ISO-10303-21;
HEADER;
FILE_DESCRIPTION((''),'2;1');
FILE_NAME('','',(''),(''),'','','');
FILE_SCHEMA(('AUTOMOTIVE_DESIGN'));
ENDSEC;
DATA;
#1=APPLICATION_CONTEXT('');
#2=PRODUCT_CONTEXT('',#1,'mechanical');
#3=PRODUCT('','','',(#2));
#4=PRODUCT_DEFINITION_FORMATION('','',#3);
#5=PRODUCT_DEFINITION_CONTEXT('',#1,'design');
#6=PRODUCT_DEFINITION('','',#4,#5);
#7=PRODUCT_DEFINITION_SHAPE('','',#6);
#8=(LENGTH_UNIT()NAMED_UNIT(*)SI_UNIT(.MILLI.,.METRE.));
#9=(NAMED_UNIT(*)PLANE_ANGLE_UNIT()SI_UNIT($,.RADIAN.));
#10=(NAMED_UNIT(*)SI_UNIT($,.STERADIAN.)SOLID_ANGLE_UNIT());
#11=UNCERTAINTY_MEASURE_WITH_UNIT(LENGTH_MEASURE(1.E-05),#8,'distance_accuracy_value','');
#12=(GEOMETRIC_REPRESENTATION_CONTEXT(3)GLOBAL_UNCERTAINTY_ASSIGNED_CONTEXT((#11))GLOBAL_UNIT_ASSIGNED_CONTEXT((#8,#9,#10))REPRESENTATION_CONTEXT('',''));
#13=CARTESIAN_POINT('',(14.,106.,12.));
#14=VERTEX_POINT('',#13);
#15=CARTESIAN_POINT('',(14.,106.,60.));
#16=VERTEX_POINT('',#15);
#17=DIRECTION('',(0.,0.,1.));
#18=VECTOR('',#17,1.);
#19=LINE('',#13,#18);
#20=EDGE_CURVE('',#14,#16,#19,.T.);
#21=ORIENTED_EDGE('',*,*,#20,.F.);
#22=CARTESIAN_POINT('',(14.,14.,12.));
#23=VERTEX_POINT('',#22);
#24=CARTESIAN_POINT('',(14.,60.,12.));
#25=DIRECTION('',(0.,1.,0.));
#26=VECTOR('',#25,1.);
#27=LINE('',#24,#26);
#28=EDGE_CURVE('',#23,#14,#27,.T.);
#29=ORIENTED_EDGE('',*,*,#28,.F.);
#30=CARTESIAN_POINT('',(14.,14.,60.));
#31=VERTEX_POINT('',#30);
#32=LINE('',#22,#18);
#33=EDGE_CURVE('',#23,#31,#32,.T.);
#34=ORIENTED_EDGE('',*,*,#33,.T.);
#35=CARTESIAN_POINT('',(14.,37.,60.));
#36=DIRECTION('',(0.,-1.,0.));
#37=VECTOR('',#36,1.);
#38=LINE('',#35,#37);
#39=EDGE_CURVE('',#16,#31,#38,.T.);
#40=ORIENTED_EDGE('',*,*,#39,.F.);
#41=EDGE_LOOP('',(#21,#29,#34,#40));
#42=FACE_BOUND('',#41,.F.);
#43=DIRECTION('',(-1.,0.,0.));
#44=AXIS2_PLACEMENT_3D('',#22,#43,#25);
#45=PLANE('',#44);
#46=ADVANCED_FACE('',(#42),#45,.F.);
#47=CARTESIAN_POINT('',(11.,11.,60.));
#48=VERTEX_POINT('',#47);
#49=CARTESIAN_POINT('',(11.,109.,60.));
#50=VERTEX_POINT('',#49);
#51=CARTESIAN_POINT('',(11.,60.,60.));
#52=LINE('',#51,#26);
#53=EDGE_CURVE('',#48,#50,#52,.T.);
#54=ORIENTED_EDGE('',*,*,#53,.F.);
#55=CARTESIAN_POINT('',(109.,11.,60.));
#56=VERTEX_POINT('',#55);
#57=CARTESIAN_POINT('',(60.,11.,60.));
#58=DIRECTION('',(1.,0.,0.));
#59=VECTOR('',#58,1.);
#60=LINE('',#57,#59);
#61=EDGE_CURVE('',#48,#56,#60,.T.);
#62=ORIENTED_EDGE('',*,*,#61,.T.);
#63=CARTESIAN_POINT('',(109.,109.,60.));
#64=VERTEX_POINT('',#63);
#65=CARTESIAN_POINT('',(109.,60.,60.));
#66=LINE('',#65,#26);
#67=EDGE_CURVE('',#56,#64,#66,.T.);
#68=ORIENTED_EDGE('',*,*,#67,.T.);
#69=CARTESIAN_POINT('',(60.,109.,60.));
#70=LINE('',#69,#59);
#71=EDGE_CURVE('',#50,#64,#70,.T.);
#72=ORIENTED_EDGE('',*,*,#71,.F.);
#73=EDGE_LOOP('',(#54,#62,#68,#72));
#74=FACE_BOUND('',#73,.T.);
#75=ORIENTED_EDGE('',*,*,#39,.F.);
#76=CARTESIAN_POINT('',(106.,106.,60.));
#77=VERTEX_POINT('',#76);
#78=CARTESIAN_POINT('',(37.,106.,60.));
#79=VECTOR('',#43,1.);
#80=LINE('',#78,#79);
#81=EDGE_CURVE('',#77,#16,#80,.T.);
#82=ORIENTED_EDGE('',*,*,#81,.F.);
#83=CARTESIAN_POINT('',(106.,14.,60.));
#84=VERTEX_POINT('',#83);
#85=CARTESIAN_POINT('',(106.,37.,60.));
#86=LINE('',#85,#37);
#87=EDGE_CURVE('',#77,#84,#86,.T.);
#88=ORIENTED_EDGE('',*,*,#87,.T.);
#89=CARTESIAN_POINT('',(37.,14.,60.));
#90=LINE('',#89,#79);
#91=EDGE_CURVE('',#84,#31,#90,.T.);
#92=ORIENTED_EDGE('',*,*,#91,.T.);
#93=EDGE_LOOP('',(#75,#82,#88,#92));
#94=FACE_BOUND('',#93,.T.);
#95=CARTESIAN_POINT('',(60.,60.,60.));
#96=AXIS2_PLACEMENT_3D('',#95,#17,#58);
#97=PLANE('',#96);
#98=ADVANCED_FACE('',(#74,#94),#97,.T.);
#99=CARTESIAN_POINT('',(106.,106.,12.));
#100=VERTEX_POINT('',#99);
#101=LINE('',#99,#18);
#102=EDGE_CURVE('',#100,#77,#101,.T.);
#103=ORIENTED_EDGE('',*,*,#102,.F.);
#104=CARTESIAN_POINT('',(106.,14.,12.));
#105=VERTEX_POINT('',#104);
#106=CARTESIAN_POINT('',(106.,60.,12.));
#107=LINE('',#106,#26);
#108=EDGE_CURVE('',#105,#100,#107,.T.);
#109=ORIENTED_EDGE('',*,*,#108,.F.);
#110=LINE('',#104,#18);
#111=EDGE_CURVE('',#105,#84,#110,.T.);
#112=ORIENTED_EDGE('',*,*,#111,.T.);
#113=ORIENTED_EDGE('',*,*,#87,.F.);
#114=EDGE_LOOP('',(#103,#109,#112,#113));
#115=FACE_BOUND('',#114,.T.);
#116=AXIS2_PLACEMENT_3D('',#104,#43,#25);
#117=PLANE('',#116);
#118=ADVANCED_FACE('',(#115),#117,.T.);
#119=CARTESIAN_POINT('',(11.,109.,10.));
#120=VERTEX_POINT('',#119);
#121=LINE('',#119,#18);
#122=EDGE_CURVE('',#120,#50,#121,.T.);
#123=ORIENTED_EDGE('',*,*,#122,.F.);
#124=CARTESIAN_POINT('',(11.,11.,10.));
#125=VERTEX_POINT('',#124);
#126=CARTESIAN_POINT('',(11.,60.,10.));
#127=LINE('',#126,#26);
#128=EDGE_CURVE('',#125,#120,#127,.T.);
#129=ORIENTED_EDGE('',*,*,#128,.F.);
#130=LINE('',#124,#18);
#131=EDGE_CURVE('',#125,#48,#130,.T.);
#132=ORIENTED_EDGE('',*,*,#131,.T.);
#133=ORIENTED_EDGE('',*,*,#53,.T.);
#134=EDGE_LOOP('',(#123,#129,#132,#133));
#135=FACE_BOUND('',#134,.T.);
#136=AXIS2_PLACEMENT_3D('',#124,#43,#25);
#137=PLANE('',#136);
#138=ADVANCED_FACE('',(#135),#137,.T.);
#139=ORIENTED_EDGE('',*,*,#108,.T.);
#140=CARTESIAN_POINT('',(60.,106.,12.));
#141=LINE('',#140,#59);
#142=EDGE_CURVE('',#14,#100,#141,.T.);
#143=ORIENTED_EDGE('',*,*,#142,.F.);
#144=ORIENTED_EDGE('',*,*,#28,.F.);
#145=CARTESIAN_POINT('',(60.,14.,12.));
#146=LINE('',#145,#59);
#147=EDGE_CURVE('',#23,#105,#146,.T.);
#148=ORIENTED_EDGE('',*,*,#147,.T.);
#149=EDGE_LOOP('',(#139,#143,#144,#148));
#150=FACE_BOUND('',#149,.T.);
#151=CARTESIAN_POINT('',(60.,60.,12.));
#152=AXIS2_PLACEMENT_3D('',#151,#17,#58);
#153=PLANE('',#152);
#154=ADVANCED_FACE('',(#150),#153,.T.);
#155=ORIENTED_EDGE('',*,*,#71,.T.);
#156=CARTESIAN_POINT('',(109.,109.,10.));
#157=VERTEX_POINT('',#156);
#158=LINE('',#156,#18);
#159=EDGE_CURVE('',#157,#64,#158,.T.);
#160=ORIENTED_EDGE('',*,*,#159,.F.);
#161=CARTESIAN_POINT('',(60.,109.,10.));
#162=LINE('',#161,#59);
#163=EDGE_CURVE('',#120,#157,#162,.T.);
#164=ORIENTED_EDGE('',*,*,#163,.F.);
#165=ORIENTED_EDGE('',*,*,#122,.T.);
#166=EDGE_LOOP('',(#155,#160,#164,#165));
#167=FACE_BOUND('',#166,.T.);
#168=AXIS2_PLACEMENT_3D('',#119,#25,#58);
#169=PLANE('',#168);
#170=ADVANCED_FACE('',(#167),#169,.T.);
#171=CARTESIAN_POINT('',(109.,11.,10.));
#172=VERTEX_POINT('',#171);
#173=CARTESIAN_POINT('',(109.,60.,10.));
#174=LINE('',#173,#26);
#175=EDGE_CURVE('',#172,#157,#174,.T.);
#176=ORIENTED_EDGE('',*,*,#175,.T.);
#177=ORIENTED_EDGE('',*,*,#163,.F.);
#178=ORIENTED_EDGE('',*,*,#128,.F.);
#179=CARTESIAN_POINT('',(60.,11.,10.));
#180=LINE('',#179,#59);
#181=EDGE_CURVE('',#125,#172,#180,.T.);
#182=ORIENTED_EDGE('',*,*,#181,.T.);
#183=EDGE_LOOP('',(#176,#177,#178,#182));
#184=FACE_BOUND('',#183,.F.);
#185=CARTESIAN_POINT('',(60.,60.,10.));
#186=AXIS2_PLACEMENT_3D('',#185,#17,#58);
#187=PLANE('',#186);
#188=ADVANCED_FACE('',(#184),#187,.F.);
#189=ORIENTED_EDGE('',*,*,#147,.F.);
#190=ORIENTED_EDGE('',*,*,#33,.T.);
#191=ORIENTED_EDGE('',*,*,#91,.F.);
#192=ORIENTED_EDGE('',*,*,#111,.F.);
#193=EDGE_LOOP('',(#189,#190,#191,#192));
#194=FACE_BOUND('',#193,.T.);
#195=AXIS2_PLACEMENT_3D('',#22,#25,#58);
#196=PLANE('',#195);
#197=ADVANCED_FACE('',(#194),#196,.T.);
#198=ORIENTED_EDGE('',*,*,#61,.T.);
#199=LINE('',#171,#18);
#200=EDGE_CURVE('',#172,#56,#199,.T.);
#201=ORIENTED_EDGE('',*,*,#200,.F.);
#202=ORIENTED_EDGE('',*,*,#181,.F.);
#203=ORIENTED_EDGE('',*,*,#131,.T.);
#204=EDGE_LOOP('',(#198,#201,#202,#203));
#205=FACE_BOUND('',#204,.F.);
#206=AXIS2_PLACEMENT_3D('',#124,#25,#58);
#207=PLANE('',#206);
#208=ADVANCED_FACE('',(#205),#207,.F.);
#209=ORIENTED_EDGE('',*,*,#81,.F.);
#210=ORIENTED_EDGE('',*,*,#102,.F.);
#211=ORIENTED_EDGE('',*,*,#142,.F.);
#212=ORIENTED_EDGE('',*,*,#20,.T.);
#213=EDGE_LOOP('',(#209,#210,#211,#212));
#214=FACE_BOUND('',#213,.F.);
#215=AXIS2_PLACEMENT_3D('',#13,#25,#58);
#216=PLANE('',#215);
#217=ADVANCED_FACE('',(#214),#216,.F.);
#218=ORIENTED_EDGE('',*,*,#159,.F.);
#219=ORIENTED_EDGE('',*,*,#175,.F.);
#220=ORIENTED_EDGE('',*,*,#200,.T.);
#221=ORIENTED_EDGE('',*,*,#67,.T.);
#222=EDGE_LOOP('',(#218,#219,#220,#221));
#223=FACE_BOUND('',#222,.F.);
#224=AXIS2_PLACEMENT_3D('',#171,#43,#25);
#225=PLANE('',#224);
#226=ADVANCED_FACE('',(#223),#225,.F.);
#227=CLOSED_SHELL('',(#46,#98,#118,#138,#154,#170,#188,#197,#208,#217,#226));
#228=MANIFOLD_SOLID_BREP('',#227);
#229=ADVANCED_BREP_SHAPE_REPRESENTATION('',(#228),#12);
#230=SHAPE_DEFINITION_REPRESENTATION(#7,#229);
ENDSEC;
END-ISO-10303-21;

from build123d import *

# Parameters (mm, degrees)
BOX023_W     = 92
BOX023_H     = 92
BOX023_DEPTH = 80
BOX022_W     = 98
BOX022_H     = 98
BOX022_DEPTH = 50


with BuildPart() as cubo001:
    # Box023 → Box023 (new body)
    with BuildSketch(Plane(origin=(14, 14, 2), x_dir=(1, 0, 0), z_dir=(0, 0, 1))):
        with Locations((46, 46)):
            Rectangle(BOX023_W, BOX023_H)
    extrude(amount=BOX023_DEPTH)


with BuildPart() as cajita:
    # Box022 → Box022 (new body)
    with BuildSketch(Plane(origin=(11, 11, 0), x_dir=(1, 0, 0), z_dir=(0, 0, 1))):
        with Locations((49, 49)):
            Rectangle(BOX022_W, BOX022_H)
    extrude(amount=BOX022_DEPTH)

    # Cut007: cut Cubo001
    add(cubo001.part, mode=Mode.SUBTRACT)


with BuildPart() as cajita_1:
    # Cut007 placement: moved
    add(cajita.part.moved(Location((0, 0, 10))))


solid = cajita_1.part
